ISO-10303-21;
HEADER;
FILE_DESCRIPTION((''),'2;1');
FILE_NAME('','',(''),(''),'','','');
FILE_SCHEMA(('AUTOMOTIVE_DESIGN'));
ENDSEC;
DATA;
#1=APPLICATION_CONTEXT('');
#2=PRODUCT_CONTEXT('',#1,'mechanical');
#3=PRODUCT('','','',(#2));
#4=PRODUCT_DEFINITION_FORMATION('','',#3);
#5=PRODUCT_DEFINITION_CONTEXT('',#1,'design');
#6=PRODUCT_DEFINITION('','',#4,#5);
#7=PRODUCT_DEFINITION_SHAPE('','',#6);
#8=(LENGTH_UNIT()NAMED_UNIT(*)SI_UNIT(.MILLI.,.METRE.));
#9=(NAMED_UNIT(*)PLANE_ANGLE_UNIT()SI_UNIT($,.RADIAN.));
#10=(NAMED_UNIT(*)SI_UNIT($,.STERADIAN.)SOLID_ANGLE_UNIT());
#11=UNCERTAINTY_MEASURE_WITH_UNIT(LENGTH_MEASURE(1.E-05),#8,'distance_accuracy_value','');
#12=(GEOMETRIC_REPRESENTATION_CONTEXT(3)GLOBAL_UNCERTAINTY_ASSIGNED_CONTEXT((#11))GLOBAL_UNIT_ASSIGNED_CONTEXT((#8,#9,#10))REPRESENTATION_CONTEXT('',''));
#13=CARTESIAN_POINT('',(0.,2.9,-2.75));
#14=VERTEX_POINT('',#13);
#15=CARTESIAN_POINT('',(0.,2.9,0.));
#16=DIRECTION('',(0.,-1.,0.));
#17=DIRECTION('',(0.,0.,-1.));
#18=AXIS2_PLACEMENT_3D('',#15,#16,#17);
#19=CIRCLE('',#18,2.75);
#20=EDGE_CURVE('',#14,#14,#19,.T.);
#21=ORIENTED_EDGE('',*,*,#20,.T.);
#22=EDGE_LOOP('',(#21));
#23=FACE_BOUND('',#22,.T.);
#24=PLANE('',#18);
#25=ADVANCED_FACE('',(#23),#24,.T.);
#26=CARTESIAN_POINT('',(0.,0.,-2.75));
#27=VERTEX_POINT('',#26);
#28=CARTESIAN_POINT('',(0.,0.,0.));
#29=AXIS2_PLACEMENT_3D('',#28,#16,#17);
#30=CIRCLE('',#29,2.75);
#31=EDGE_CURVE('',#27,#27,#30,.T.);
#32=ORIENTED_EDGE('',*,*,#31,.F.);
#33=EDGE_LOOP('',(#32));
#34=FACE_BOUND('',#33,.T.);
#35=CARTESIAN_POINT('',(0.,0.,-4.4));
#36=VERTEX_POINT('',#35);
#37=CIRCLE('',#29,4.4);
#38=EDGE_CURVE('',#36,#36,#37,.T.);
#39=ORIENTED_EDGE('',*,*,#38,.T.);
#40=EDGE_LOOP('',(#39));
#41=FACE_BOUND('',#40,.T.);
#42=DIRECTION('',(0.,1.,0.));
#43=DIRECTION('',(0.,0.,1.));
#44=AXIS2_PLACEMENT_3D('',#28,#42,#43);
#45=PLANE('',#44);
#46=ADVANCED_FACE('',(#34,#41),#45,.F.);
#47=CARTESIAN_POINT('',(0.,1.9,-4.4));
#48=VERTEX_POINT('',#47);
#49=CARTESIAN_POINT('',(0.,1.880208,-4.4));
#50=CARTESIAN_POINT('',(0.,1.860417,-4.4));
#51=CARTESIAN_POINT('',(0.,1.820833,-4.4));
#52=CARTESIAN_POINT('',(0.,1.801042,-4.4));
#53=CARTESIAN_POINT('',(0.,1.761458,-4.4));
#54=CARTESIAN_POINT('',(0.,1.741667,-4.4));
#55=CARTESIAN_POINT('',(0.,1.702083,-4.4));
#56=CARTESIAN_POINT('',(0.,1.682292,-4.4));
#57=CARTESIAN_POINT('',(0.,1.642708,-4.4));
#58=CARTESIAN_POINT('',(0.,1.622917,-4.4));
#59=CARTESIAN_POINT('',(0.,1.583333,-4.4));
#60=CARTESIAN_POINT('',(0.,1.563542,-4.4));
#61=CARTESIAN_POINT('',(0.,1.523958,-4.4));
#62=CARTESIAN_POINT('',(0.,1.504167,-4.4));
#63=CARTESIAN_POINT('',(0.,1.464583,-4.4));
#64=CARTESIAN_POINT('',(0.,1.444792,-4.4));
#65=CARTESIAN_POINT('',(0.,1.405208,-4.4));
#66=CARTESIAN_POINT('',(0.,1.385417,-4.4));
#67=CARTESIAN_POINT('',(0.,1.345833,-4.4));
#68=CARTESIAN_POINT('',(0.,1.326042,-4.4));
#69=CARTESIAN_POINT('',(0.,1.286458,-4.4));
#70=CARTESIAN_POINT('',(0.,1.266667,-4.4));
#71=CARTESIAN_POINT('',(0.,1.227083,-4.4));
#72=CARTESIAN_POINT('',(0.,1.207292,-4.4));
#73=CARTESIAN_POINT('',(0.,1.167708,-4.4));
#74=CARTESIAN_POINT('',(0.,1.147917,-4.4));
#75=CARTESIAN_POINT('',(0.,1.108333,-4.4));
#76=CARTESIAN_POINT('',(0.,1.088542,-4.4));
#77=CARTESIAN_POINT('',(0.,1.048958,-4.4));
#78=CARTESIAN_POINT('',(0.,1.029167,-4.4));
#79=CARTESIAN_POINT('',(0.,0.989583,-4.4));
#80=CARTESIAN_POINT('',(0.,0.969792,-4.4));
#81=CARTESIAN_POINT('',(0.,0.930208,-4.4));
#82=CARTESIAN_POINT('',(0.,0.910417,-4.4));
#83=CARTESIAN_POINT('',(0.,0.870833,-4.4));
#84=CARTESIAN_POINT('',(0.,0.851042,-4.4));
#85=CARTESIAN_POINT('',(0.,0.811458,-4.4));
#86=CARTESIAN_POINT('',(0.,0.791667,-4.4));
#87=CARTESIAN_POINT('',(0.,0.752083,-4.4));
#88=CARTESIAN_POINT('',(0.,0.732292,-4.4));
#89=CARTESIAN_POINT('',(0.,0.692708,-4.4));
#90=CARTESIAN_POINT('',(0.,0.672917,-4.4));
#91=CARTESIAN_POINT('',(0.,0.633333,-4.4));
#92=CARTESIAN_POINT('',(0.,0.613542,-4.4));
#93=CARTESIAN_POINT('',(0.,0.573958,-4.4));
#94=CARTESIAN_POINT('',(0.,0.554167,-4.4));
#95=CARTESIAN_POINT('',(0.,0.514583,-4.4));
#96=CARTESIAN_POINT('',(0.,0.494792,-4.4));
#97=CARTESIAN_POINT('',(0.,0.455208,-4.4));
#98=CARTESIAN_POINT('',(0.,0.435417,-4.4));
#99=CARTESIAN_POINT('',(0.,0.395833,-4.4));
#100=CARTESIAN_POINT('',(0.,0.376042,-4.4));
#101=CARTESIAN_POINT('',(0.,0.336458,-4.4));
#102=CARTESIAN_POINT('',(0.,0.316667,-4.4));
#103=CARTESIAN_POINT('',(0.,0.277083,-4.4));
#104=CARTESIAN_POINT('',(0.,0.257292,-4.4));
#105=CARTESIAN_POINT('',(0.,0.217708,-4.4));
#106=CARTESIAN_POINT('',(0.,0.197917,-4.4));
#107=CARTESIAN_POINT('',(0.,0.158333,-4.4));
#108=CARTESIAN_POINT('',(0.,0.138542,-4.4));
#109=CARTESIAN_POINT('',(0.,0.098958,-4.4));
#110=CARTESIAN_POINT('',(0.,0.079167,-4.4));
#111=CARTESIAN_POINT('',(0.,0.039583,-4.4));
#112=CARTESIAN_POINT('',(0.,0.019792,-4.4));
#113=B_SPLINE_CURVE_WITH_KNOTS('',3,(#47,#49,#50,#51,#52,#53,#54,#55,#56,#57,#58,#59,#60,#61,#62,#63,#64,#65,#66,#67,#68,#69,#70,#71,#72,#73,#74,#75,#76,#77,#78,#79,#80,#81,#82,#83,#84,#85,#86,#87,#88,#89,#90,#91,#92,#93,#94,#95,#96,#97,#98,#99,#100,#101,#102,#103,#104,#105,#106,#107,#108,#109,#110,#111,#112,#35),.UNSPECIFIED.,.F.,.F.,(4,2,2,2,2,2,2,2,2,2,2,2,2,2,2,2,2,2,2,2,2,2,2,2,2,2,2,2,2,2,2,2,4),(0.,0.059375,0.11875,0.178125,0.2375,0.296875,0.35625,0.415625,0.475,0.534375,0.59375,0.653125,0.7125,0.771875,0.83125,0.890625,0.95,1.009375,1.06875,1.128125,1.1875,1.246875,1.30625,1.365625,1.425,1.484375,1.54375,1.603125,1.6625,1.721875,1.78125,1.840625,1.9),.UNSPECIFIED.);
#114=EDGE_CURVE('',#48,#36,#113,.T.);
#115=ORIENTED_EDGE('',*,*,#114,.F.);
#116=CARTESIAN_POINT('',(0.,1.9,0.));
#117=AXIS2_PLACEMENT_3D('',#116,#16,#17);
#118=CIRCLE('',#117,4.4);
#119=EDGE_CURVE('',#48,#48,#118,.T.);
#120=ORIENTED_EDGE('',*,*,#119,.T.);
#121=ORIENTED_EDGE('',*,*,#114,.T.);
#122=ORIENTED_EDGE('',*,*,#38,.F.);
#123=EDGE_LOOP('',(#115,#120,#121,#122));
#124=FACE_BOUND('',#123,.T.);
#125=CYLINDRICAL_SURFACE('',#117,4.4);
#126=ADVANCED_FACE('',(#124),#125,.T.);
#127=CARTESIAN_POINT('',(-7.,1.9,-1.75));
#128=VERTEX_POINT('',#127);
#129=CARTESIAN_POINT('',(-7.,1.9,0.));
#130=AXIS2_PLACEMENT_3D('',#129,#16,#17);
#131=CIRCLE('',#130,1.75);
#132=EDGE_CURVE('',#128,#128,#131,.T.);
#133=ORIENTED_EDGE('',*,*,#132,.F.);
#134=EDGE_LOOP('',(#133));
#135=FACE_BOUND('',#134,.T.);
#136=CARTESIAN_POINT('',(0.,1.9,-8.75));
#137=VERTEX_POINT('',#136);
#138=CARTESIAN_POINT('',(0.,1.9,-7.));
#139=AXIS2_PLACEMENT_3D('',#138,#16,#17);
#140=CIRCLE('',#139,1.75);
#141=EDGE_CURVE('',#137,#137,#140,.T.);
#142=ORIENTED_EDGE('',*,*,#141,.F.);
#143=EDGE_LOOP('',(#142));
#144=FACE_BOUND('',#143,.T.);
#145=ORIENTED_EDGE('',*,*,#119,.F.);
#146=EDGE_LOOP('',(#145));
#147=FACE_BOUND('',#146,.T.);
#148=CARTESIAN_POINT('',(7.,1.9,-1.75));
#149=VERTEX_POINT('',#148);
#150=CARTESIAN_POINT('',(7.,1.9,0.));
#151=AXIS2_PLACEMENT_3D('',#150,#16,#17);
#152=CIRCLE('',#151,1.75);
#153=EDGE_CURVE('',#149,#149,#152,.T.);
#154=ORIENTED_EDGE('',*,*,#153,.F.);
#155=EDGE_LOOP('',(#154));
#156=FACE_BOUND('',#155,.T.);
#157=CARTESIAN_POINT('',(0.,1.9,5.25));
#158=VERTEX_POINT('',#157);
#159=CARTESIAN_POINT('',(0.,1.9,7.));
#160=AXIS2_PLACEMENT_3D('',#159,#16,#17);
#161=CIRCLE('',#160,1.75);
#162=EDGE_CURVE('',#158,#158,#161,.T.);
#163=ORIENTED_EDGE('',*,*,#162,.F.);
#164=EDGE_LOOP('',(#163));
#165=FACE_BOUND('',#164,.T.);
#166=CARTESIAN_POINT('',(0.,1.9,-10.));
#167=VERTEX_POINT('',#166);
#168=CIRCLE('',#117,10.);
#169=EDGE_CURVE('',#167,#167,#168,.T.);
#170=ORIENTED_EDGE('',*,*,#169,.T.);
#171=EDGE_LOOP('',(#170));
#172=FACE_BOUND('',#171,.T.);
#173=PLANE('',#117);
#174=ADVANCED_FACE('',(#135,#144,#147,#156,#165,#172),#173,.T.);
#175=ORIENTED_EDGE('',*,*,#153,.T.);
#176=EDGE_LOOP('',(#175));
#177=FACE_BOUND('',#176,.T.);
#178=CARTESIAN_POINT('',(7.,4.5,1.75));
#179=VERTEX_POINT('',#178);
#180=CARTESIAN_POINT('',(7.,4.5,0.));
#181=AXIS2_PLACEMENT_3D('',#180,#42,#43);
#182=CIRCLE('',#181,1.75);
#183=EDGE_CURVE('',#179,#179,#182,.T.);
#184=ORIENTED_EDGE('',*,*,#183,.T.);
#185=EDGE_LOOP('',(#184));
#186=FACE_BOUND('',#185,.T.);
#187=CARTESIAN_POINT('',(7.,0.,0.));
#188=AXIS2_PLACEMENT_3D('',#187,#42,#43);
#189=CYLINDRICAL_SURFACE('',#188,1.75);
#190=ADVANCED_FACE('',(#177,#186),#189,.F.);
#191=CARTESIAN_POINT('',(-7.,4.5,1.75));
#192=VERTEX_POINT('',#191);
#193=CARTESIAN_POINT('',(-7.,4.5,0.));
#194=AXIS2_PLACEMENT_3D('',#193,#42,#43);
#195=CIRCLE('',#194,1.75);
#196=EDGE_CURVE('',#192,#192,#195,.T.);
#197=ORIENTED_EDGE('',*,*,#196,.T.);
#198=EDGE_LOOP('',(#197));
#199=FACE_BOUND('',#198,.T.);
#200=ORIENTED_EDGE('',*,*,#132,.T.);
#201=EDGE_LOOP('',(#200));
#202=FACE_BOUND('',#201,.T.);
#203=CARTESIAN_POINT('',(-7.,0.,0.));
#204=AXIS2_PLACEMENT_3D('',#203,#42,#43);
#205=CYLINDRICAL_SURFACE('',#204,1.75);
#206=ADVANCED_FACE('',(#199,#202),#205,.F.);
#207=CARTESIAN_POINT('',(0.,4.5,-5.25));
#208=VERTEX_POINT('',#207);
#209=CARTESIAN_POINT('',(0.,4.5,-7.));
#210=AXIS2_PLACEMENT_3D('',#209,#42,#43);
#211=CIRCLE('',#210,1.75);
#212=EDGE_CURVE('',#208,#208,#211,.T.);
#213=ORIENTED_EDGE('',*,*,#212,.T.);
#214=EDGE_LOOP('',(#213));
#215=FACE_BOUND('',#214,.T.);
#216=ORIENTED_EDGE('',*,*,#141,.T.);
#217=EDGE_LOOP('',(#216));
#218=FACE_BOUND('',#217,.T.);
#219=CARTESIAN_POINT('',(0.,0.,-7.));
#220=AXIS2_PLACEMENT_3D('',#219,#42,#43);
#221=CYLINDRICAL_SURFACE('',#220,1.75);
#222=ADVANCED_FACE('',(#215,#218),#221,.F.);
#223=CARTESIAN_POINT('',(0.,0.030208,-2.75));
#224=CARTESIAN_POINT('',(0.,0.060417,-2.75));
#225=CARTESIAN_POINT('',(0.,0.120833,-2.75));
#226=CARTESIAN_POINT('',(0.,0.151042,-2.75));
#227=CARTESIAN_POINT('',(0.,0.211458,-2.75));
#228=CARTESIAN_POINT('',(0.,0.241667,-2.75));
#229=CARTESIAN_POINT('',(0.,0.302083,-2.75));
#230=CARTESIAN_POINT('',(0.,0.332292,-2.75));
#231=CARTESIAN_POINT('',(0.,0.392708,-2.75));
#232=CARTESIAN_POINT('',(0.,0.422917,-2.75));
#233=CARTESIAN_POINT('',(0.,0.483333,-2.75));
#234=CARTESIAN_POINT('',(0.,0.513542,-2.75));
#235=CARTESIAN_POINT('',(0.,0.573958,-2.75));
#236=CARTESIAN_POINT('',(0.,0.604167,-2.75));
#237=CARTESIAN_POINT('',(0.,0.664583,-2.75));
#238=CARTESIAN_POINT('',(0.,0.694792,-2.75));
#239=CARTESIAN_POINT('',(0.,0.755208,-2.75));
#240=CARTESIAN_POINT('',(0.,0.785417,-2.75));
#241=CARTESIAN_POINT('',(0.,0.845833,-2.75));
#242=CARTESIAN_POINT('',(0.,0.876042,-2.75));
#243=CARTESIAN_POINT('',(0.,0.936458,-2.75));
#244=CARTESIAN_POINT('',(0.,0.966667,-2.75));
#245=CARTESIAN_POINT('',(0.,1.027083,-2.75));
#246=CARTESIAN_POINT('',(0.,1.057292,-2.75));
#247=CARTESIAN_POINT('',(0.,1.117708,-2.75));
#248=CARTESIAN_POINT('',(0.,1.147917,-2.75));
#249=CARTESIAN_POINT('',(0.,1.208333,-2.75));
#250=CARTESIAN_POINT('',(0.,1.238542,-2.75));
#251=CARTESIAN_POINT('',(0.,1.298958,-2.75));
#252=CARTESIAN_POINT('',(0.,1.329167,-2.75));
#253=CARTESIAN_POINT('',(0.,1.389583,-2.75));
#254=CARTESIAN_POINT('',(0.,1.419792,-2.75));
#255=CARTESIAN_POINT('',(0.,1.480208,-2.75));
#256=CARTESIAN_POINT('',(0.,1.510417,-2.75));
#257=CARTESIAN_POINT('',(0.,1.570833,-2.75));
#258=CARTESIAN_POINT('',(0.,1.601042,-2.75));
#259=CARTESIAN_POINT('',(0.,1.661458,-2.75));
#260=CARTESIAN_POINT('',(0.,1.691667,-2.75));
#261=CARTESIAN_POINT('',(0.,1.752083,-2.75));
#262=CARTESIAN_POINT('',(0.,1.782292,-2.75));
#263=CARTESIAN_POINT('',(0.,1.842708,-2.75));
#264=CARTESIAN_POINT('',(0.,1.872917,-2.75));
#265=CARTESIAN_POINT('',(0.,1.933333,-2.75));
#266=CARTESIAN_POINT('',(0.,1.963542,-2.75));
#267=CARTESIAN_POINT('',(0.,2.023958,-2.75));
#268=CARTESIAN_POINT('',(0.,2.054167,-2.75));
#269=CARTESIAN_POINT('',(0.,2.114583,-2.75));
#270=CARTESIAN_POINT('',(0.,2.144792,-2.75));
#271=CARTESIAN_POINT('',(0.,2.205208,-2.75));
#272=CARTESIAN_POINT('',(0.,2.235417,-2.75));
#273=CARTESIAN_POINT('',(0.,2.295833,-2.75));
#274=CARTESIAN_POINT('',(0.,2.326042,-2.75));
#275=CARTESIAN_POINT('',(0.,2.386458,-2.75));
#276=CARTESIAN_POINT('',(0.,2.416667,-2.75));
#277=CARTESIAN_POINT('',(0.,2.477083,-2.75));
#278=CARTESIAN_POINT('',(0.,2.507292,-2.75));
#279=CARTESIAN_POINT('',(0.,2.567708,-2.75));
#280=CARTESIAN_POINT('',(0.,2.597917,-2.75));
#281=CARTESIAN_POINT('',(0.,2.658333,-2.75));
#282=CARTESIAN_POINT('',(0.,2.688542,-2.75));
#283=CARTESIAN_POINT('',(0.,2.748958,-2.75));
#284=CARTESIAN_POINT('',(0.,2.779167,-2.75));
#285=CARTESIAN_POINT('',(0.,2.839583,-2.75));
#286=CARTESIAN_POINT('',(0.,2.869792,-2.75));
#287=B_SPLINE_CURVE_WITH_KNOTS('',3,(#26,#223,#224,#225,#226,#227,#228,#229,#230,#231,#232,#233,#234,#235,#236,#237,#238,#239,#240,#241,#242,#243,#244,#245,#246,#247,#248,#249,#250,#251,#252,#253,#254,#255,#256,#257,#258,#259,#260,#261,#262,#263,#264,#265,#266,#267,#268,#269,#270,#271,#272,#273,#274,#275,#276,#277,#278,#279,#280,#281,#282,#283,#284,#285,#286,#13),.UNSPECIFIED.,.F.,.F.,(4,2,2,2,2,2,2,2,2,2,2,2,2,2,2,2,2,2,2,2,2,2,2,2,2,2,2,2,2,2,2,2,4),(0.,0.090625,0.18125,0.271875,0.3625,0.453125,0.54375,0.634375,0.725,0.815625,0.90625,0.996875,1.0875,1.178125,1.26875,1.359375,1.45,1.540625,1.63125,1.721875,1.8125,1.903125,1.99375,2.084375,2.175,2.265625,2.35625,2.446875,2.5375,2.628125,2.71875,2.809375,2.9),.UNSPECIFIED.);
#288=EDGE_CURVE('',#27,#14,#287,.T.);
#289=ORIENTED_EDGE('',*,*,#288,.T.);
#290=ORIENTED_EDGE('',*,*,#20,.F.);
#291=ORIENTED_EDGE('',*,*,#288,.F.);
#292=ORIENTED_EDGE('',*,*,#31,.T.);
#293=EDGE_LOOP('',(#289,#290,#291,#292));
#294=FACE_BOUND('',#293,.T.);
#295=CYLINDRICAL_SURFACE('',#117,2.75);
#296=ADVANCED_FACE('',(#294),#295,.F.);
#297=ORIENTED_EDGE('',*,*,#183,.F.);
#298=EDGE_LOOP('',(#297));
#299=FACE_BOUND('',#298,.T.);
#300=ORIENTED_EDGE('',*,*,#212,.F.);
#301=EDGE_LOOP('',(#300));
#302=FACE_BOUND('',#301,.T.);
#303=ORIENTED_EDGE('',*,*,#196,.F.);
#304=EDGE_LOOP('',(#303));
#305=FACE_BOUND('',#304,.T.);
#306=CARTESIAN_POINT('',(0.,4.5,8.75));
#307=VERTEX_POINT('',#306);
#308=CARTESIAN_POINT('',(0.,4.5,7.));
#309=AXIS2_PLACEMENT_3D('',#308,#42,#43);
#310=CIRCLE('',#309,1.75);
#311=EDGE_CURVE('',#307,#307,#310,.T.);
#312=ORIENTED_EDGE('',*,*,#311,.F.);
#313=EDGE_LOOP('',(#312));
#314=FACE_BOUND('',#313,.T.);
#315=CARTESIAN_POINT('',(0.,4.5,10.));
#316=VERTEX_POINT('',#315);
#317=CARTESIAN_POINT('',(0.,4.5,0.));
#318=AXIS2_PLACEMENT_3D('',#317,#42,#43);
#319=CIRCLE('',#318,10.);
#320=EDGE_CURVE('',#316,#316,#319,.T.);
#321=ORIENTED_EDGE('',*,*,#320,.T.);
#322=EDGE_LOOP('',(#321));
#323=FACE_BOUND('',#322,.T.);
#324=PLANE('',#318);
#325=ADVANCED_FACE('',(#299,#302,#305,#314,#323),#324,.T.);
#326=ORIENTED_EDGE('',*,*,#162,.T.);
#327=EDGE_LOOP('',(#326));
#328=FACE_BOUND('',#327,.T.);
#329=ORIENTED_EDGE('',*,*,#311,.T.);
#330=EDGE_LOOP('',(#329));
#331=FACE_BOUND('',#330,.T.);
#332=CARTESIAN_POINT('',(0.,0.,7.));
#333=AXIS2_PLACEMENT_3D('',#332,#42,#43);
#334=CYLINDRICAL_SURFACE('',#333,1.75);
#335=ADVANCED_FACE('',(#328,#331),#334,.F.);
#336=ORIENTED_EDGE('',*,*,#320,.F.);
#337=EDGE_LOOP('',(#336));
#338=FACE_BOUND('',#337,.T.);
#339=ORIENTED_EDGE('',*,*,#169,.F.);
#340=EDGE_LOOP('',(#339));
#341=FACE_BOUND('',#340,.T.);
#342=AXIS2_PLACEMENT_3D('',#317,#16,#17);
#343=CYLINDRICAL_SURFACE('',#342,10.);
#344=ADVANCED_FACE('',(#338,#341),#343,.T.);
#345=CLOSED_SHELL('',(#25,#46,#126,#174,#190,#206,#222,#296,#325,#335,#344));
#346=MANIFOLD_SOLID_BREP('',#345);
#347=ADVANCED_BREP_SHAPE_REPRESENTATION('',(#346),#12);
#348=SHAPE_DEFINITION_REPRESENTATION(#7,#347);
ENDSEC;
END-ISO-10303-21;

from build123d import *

# Parameters (mm, degrees)
SKETCH1_R           = 10
BOSS_EXTRUDE1_DEPTH = 4.5
SKETCH2_R           = 10
SKETCH2_R_2         = 4.4
SKETCH2_R_3         = 2.75
CUT_EXTRUDE1_DEPTH  = 1.9
SKETCH4_R           = 1.75
CUT_EXTRUDE2_DEPTH  = 15.84082208
SKETCH5_R           = 2.75
CUT_EXTRUDE3_DEPTH  = 1


with BuildPart() as part:
    # Sketch1 → Boss-Extrude1 (new body)
    with BuildSketch(Plane(origin=(0, 0, 0), x_dir=(1, 0, 0), z_dir=(0, 1, 0))):
        with Locations(Location((0, 0, 0), (0, 0, 270))):
            Circle(SKETCH1_R)
    extrude(amount=BOSS_EXTRUDE1_DEPTH)

    # Sketch2 → Cut-Extrude1 (cut)
    # profile 1 of 2: a face of its own
    with BuildSketch(Plane.XZ):
        with Locations(Location((0, 0, 0), (0, 0, 270))):
            Circle(SKETCH2_R)
        with Locations(Location((0, 0, 0), (0, 0, 270))):
            Circle(SKETCH2_R_2, mode=Mode.SUBTRACT)
    # profile 2 of 2: a face of its own
    with BuildSketch(Plane.XZ):
        with Locations(Location((0, 0, 0), (0, 0, 270))):
            Circle(SKETCH2_R_3)
    extrude(amount=-CUT_EXTRUDE1_DEPTH, mode=Mode.SUBTRACT)

    # Sketch4 → Cut-Extrude2 (cut, through all)
    with BuildSketch(Plane(origin=(0, 4.5, 0), x_dir=(1, 0, 0), z_dir=(0, 1, 0))):
        with Locations(Location((0, 7, 0), (0, 0, 270))):
            Circle(SKETCH4_R)
        with Locations(Location((7, 0, 0), (0, 0, 270))):
            Circle(SKETCH4_R)
        with Locations(Location((0, -7, 0), (0, 0, 270))):
            Circle(SKETCH4_R)
        with Locations(Location((-7, 0, 0), (0, 0, 270))):
            Circle(SKETCH4_R)
    extrude(amount=-CUT_EXTRUDE2_DEPTH, mode=Mode.SUBTRACT)

    # Sketch5 → Cut-Extrude3 (cut)
    with BuildSketch(Plane.XZ.offset(-1.9)):
        with Locations(Location((0, 0, 0), (0, 0, 270))):
            Circle(SKETCH5_R)
    extrude(amount=-CUT_EXTRUDE3_DEPTH, mode=Mode.SUBTRACT)


solid = part.part
